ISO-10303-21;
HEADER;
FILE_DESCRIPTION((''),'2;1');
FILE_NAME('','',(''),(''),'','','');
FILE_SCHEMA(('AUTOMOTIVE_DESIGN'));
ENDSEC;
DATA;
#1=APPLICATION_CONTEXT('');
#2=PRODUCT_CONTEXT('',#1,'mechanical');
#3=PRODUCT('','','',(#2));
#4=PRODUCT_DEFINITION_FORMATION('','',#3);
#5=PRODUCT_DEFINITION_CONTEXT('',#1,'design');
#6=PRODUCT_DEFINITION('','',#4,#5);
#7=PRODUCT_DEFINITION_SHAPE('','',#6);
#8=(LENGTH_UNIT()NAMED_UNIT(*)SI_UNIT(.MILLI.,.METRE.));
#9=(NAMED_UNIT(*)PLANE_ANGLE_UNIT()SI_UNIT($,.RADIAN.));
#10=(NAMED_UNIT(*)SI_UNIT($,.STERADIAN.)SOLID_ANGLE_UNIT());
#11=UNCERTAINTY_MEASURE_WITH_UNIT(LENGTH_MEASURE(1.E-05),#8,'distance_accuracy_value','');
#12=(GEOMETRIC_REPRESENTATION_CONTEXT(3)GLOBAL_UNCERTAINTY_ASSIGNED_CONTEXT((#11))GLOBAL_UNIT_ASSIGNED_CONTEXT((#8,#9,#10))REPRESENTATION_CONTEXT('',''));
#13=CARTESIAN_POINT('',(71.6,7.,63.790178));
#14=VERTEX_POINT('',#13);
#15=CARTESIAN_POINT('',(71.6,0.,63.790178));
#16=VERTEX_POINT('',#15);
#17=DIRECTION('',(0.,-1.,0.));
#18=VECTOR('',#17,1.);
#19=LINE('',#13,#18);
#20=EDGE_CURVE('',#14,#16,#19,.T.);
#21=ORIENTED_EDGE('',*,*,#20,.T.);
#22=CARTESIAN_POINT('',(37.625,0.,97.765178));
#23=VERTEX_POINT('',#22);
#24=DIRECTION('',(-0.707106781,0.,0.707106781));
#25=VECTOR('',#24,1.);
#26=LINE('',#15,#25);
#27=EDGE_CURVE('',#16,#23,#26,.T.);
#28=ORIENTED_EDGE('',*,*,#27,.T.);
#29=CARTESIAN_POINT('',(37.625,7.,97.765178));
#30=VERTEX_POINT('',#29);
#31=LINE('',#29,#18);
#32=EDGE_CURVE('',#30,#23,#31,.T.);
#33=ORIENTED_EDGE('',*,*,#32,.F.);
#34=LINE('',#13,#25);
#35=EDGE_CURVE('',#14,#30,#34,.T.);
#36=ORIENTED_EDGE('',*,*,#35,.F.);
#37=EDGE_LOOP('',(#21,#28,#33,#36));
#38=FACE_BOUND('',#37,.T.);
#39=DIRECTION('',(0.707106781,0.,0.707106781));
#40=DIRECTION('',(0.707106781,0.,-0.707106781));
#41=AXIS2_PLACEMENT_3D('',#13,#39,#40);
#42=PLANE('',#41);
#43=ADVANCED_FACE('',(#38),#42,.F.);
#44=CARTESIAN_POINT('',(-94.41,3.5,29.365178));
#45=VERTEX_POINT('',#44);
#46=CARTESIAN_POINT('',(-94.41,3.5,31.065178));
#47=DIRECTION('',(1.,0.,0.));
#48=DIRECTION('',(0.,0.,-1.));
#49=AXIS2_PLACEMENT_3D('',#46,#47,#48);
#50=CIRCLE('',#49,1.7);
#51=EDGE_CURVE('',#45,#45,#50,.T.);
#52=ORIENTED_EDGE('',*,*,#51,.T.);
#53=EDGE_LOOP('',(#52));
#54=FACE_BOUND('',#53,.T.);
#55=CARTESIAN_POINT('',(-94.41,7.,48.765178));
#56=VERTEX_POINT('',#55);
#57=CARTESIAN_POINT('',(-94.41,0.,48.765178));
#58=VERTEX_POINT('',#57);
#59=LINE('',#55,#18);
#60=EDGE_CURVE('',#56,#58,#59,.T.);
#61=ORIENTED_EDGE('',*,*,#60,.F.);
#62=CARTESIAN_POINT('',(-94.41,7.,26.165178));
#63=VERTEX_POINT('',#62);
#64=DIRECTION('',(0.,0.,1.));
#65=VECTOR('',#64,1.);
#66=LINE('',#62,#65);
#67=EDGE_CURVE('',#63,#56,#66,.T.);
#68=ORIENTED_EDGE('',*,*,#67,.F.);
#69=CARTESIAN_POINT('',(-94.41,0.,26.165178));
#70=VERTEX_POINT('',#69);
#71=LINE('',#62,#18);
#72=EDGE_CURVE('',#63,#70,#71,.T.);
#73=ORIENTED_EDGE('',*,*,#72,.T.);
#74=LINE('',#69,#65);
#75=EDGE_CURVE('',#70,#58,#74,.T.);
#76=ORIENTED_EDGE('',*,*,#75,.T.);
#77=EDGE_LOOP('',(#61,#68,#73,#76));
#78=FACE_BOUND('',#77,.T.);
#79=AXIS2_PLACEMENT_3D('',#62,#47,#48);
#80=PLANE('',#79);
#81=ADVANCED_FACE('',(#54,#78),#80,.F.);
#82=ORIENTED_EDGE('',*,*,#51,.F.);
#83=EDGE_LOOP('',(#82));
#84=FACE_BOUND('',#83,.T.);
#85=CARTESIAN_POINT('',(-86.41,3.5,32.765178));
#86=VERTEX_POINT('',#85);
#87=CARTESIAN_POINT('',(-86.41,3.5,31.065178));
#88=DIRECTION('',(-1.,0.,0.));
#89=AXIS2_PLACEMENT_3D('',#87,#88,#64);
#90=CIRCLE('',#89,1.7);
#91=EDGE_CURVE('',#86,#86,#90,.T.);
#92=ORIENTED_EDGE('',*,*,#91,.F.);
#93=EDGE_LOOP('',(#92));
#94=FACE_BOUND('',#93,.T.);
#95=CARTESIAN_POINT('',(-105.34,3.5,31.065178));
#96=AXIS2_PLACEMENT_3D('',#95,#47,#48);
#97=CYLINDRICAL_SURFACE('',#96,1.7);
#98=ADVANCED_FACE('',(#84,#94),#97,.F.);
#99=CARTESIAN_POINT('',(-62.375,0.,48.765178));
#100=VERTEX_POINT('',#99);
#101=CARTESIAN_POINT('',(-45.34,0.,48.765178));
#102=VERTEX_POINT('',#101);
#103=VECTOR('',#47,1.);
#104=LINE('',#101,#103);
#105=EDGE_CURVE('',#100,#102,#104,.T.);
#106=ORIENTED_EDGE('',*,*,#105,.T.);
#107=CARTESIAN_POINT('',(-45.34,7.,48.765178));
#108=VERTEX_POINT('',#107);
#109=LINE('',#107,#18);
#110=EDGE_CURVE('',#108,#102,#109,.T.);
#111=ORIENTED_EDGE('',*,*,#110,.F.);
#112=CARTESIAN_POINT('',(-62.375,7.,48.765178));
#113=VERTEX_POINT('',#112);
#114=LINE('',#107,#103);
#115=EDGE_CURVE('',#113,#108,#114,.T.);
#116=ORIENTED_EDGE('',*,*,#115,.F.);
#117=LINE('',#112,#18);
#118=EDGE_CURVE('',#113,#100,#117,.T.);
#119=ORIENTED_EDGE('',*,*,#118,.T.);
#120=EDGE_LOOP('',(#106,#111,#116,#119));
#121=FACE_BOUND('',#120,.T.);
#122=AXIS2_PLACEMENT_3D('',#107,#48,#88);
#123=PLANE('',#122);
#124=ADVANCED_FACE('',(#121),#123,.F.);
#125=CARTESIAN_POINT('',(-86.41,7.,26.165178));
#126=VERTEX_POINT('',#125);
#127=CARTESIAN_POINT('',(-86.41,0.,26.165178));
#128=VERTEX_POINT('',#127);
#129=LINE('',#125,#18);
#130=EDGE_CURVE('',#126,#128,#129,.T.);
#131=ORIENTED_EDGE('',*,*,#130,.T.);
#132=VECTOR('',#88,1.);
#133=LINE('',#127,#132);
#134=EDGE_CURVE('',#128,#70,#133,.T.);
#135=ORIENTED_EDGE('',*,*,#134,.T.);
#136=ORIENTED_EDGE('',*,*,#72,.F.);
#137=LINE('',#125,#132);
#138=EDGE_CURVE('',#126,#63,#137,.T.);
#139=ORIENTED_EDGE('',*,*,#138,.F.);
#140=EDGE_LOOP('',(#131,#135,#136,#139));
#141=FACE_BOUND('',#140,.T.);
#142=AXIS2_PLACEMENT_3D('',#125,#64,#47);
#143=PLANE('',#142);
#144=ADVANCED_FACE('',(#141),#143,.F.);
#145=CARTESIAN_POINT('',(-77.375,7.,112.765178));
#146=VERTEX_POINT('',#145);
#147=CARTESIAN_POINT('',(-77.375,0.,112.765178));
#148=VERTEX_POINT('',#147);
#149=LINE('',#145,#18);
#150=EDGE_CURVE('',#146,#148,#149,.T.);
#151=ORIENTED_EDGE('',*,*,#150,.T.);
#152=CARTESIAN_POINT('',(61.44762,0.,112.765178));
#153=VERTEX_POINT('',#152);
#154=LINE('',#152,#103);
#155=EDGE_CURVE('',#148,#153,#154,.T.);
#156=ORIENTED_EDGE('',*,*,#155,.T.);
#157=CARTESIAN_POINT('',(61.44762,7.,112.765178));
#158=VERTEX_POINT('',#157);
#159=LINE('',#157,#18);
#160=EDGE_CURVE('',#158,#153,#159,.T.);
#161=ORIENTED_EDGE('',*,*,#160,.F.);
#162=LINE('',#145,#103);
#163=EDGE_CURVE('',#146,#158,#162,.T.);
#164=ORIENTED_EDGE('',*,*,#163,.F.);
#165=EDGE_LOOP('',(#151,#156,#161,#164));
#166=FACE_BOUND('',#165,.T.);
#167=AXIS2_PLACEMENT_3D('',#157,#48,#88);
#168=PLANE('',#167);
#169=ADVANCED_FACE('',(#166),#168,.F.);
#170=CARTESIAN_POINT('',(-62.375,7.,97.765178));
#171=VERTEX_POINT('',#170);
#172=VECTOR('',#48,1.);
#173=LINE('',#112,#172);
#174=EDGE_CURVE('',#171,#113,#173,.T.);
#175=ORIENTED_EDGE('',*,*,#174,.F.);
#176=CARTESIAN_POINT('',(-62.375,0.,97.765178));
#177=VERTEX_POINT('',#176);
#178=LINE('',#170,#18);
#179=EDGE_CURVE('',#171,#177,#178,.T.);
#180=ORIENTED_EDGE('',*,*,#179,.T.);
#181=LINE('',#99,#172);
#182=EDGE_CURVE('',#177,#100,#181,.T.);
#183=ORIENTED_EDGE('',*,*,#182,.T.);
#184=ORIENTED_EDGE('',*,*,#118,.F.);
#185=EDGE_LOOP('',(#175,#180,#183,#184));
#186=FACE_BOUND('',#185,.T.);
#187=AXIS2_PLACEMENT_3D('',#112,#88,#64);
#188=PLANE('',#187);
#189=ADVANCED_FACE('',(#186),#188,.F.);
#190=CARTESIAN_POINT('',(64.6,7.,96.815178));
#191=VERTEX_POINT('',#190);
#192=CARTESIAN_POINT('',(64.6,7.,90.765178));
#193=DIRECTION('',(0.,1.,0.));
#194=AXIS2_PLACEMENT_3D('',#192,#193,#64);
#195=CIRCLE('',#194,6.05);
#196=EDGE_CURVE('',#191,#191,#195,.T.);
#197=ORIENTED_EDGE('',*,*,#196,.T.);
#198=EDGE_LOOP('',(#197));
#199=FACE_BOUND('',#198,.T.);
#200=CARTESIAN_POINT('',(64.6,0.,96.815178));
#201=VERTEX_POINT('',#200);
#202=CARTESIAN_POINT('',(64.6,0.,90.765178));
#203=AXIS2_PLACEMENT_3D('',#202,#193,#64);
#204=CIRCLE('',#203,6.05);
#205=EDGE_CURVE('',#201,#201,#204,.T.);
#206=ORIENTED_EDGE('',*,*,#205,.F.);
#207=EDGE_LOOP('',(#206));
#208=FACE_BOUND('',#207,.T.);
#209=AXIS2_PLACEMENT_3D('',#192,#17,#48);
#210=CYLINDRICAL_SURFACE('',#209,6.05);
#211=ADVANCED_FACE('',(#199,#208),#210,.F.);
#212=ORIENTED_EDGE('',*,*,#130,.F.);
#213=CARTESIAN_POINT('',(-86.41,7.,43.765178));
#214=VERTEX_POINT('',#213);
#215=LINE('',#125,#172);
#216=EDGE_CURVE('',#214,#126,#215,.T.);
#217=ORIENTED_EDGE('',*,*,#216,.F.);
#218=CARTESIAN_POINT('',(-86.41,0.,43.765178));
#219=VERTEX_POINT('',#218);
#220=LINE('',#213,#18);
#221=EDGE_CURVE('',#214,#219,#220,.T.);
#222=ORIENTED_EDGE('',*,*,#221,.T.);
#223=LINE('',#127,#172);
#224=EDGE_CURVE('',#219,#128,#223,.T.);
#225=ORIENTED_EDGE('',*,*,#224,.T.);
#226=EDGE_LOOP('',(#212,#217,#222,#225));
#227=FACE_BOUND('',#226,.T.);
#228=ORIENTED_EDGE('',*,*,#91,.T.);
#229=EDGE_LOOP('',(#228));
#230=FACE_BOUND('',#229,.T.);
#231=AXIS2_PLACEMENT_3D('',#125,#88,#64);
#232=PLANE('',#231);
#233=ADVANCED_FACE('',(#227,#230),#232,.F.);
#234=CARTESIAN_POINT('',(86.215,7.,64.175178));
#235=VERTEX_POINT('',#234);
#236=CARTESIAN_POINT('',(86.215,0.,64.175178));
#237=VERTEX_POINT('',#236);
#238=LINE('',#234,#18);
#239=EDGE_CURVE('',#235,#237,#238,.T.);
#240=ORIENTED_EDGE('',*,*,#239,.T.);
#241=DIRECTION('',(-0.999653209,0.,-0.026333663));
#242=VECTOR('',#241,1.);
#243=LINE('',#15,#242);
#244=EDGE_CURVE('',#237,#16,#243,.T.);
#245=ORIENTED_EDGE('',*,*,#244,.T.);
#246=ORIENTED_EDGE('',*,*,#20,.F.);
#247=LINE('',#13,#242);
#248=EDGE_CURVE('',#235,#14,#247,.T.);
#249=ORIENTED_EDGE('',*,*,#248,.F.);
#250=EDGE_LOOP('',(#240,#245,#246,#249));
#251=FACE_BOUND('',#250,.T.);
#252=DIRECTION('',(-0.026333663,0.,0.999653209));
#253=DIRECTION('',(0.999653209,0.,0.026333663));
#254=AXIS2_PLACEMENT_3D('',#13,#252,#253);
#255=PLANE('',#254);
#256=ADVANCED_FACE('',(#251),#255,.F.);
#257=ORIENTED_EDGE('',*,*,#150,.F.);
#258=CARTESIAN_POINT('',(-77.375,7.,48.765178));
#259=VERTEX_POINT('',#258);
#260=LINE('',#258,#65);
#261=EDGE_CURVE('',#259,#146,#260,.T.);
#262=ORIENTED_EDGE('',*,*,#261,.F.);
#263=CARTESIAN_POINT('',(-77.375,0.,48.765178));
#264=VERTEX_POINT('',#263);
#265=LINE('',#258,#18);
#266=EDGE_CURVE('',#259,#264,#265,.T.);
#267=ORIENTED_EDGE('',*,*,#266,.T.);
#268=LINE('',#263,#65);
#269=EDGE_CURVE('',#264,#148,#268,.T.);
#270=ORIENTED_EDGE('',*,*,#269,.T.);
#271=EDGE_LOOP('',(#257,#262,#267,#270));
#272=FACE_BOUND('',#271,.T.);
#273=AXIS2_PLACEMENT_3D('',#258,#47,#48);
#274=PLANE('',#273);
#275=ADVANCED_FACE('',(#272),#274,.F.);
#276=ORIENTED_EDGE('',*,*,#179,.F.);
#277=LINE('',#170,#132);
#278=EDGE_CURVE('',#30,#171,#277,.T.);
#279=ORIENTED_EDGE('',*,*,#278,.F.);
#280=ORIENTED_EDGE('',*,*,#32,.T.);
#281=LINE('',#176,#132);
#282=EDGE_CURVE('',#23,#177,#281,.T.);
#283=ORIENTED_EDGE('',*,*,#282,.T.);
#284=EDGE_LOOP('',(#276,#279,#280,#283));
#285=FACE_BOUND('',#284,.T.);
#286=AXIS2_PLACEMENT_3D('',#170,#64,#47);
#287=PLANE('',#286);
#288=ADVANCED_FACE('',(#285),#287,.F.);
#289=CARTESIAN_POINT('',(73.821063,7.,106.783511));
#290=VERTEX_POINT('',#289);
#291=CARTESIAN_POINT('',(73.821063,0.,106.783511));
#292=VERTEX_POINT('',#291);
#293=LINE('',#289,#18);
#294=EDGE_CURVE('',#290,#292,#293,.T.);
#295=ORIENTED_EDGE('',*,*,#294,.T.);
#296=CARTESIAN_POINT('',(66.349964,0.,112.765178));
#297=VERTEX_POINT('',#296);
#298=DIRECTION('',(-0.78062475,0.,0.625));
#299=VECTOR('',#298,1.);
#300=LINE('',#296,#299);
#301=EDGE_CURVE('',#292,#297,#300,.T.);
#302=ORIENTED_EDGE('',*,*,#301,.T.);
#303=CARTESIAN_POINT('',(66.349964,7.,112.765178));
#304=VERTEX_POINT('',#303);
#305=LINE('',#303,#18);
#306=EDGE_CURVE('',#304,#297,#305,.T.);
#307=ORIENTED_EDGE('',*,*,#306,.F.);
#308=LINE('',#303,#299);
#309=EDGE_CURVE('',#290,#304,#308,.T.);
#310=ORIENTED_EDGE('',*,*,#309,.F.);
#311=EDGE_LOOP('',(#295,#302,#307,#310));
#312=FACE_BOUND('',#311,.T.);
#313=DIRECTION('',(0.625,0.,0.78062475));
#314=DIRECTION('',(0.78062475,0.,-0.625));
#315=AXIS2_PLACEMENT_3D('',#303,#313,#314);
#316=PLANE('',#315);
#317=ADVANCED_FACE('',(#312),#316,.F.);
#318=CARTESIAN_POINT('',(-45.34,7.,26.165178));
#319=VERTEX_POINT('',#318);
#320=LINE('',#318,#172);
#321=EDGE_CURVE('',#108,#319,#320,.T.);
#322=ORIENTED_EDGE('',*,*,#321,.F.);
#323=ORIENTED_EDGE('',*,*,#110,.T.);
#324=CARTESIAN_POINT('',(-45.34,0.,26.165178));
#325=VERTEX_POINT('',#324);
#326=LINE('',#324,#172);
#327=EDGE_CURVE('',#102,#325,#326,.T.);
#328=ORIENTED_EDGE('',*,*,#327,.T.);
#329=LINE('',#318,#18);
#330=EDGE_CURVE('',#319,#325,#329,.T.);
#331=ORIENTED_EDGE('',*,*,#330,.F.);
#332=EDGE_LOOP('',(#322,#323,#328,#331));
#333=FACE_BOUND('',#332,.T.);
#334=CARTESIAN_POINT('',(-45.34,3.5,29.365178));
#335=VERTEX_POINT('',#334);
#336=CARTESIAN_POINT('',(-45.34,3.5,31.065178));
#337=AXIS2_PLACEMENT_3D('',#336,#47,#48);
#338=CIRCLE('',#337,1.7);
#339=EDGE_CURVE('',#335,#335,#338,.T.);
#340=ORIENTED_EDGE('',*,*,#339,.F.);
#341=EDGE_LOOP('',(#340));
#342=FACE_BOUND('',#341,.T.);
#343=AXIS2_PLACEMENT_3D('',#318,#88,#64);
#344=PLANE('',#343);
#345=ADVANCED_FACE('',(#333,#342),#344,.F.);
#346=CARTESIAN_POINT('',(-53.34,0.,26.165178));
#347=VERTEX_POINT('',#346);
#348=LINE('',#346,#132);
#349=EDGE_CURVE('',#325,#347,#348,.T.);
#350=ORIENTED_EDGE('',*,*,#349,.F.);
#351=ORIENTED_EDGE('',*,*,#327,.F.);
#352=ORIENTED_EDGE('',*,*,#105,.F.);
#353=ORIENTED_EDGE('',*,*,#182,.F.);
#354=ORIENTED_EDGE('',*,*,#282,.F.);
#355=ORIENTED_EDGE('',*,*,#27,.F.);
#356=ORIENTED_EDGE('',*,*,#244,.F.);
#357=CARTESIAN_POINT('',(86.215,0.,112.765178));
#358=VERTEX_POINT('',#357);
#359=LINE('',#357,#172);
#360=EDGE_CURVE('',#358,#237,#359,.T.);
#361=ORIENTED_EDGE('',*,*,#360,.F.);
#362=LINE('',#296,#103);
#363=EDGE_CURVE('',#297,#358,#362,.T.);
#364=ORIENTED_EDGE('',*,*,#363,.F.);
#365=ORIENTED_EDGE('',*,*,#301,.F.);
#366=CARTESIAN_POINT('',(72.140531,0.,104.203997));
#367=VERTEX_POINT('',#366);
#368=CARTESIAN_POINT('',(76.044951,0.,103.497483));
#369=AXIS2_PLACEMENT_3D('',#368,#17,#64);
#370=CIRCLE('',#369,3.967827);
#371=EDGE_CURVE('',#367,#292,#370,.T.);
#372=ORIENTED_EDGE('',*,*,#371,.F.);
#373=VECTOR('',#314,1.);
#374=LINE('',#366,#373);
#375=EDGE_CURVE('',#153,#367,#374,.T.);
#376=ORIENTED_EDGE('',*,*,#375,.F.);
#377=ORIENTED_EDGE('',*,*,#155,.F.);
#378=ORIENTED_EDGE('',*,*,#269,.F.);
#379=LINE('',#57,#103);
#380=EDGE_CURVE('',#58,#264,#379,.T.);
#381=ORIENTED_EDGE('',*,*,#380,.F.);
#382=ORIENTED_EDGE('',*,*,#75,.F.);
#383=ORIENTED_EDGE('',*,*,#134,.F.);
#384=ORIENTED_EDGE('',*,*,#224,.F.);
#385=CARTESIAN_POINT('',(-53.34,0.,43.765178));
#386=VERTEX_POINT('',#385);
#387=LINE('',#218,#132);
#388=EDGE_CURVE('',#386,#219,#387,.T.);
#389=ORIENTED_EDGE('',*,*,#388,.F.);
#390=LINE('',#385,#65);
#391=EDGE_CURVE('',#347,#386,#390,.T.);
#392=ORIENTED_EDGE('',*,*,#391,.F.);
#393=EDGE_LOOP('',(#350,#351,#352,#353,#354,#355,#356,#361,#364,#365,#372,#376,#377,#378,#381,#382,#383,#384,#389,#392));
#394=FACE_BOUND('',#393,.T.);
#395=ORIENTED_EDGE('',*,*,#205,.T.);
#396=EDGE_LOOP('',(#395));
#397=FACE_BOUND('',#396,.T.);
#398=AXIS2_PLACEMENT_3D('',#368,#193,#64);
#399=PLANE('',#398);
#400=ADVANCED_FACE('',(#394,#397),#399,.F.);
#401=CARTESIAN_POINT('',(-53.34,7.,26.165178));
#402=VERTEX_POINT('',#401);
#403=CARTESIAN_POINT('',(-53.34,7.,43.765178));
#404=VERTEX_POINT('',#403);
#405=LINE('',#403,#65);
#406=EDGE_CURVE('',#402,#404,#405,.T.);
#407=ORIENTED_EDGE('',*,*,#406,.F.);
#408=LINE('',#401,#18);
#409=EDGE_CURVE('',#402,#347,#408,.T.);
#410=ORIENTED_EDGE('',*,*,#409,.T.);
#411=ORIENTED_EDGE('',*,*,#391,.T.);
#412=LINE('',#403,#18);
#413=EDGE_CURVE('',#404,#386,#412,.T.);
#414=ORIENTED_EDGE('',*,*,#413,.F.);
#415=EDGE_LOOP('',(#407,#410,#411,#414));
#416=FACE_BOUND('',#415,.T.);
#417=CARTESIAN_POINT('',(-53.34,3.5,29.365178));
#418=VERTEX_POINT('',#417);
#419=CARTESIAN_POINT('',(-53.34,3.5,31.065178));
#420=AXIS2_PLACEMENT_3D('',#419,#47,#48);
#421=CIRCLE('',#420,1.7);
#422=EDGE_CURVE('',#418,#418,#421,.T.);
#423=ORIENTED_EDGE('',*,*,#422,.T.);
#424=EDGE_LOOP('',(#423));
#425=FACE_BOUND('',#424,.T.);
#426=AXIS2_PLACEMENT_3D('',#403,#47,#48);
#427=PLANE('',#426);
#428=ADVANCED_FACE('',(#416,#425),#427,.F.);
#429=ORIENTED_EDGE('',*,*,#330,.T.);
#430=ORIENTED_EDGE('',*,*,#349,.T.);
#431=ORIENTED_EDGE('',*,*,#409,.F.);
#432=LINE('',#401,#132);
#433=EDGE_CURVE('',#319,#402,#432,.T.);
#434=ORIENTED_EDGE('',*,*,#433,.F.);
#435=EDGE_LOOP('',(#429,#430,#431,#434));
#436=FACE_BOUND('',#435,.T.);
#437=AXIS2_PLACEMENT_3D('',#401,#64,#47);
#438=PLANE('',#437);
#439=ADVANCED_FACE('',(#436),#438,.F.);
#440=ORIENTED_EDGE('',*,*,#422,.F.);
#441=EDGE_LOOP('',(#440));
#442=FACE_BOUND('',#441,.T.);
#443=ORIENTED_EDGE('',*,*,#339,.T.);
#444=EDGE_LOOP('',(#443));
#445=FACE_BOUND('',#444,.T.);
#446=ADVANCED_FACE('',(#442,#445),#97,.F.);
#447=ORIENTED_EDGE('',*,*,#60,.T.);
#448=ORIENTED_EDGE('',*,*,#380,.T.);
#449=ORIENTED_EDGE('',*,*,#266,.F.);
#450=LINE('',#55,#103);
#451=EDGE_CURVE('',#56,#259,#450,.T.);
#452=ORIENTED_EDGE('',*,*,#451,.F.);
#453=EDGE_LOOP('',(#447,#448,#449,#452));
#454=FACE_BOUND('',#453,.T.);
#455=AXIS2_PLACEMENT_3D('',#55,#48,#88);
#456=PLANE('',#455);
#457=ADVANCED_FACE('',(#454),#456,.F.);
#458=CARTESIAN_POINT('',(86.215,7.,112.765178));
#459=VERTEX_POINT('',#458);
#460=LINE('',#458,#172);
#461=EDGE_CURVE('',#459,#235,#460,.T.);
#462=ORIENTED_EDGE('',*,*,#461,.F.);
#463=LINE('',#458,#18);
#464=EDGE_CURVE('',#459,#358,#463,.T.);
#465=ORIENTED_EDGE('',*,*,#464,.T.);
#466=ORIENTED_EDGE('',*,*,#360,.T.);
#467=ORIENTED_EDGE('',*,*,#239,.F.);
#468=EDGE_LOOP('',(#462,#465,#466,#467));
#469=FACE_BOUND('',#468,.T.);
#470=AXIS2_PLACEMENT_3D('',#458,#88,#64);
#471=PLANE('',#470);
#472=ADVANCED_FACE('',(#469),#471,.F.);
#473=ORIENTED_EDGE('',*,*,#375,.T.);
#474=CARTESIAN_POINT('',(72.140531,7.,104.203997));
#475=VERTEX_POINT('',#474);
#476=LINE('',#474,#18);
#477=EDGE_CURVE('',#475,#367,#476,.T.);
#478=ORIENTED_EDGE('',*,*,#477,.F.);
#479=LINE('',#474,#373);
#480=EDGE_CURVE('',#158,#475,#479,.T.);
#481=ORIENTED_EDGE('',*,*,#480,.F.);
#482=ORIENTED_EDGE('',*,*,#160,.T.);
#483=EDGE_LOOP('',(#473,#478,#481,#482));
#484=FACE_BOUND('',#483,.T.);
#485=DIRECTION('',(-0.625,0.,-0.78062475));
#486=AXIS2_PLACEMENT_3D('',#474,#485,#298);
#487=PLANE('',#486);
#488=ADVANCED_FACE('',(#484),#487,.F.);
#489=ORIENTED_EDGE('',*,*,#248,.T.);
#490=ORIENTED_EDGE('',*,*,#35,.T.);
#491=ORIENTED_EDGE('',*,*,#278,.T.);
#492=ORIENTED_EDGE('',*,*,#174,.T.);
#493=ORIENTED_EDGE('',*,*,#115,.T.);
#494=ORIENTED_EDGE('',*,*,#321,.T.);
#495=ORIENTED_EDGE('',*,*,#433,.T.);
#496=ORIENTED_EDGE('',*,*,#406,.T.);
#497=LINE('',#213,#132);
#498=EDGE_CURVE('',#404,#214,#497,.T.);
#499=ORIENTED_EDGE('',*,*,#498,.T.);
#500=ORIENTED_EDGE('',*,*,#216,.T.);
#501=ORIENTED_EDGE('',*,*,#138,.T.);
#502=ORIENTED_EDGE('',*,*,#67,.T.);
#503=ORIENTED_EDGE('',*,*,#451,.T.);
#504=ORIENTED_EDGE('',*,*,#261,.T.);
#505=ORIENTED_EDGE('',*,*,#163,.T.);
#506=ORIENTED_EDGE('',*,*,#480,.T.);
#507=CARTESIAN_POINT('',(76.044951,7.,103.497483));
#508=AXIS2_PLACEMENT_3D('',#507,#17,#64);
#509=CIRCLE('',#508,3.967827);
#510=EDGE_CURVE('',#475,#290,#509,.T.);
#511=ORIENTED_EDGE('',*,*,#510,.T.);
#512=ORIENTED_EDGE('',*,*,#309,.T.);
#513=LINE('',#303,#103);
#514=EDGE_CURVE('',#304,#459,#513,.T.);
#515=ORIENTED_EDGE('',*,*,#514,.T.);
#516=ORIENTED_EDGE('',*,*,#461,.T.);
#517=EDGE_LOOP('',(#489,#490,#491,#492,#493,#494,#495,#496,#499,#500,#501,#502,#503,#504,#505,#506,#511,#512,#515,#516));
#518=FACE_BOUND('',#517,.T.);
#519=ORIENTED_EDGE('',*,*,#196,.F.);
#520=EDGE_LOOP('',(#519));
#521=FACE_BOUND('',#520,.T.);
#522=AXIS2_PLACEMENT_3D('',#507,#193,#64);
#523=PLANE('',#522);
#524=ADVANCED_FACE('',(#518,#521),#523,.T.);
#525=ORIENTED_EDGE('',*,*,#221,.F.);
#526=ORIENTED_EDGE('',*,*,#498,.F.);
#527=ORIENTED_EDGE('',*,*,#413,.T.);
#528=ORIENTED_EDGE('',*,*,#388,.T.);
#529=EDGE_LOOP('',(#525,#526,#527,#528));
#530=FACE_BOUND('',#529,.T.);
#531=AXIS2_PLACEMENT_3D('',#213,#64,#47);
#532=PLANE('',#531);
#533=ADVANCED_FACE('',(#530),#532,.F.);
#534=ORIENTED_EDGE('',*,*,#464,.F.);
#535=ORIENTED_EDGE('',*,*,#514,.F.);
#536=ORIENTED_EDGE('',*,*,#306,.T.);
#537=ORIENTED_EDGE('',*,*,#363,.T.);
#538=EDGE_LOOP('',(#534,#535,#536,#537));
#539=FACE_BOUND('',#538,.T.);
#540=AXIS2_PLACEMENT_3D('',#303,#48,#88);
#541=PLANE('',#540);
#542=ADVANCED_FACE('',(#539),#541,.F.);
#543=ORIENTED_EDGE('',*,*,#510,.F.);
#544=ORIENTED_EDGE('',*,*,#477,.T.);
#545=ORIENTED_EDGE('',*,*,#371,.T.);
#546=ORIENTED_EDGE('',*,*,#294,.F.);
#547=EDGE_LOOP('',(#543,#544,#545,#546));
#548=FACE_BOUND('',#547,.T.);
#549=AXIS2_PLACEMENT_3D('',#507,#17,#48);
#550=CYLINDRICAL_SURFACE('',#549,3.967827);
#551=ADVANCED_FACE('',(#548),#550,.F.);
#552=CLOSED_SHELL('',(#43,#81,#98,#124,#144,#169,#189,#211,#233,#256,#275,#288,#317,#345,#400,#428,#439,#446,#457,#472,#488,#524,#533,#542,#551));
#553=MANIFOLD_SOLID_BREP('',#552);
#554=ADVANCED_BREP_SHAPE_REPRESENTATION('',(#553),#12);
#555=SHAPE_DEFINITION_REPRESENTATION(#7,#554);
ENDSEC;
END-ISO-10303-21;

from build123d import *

# Parameters (mm, degrees)
SKETCH1_R           = 6.05
BOSS_EXTRUDE1_DEPTH = 7
SKETCH3_R           = 1.7
CUT_EXTRUDE2_DEPTH  = 60


with BuildPart() as part:
    # Sketch1 → Boss-Extrude1 (new body)
    with BuildSketch(Plane(origin=(0, 0, 0), x_dir=(1, 0, 0), z_dir=(0, 1, 0))):
        with BuildLine():
            Line((-86.41, -26.165178012), (-86.41, -43.765178012))
            Line((-86.41, -43.765178012), (-53.34, -43.765178012))
            Line((-53.34, -43.765178012), (-53.34, -26.165178012))
            Line((-53.34, -26.165178012), (-45.34, -26.165178012))
            Line((-45.34, -26.165178012), (-45.34, -48.765178012))
            Line((-45.34, -48.765178012), (-62.375, -48.765178012))
            Line((-62.375, -48.765178012), (-62.375, -97.765178012))
            Line((-62.375, -97.765178012), (37.625, -97.765178012))
            Line((37.625, -97.765178012), (71.6, -63.790178012))
            Line((71.6, -63.790178012), (86.215, -64.175178012))
            Line((86.215, -64.175178012), (86.215, -112.765178012))
            Line((86.215, -112.765178012), (66.349963518, -112.765178012))
            Line((66.349963518, -112.765178012), (73.821063238, -106.783510987))
            ThreePointArc((73.821063238, -106.783510987), (79.369481987, -101.331578198), (72.140531111, -104.203997211))
            Line((72.140531111, -104.203997211), (61.447619718, -112.765178012))
            Line((61.447619718, -112.765178012), (37.625, -112.765178012))
            Line((37.625, -112.765178012), (-77.375, -112.765178012))
            Line((-77.375, -112.765178012), (-77.375, -48.765178012))
            Line((-77.375, -48.765178012), (-94.41, -48.765178012))
            Line((-94.41, -48.765178012), (-94.41, -26.165178012))
            Line((-94.41, -26.165178012), (-86.41, -26.165178012))
        make_face()
        with Locations(Location((64.6, -90.765178012, 0), (0, 0, 270))):
            Circle(SKETCH1_R, mode=Mode.SUBTRACT)
    extrude(amount=BOSS_EXTRUDE1_DEPTH)

    # Sketch3 → Cut-Extrude2 (cut)
    with BuildSketch(Plane(origin=(-45.34, 0, 0), x_dir=(0, 0, -1), z_dir=(1, 0, 0))):
        with Locations((-31.065178012, 3.5)):
            Circle(SKETCH3_R)
    extrude(amount=-CUT_EXTRUDE2_DEPTH, mode=Mode.SUBTRACT)


solid = part.part
